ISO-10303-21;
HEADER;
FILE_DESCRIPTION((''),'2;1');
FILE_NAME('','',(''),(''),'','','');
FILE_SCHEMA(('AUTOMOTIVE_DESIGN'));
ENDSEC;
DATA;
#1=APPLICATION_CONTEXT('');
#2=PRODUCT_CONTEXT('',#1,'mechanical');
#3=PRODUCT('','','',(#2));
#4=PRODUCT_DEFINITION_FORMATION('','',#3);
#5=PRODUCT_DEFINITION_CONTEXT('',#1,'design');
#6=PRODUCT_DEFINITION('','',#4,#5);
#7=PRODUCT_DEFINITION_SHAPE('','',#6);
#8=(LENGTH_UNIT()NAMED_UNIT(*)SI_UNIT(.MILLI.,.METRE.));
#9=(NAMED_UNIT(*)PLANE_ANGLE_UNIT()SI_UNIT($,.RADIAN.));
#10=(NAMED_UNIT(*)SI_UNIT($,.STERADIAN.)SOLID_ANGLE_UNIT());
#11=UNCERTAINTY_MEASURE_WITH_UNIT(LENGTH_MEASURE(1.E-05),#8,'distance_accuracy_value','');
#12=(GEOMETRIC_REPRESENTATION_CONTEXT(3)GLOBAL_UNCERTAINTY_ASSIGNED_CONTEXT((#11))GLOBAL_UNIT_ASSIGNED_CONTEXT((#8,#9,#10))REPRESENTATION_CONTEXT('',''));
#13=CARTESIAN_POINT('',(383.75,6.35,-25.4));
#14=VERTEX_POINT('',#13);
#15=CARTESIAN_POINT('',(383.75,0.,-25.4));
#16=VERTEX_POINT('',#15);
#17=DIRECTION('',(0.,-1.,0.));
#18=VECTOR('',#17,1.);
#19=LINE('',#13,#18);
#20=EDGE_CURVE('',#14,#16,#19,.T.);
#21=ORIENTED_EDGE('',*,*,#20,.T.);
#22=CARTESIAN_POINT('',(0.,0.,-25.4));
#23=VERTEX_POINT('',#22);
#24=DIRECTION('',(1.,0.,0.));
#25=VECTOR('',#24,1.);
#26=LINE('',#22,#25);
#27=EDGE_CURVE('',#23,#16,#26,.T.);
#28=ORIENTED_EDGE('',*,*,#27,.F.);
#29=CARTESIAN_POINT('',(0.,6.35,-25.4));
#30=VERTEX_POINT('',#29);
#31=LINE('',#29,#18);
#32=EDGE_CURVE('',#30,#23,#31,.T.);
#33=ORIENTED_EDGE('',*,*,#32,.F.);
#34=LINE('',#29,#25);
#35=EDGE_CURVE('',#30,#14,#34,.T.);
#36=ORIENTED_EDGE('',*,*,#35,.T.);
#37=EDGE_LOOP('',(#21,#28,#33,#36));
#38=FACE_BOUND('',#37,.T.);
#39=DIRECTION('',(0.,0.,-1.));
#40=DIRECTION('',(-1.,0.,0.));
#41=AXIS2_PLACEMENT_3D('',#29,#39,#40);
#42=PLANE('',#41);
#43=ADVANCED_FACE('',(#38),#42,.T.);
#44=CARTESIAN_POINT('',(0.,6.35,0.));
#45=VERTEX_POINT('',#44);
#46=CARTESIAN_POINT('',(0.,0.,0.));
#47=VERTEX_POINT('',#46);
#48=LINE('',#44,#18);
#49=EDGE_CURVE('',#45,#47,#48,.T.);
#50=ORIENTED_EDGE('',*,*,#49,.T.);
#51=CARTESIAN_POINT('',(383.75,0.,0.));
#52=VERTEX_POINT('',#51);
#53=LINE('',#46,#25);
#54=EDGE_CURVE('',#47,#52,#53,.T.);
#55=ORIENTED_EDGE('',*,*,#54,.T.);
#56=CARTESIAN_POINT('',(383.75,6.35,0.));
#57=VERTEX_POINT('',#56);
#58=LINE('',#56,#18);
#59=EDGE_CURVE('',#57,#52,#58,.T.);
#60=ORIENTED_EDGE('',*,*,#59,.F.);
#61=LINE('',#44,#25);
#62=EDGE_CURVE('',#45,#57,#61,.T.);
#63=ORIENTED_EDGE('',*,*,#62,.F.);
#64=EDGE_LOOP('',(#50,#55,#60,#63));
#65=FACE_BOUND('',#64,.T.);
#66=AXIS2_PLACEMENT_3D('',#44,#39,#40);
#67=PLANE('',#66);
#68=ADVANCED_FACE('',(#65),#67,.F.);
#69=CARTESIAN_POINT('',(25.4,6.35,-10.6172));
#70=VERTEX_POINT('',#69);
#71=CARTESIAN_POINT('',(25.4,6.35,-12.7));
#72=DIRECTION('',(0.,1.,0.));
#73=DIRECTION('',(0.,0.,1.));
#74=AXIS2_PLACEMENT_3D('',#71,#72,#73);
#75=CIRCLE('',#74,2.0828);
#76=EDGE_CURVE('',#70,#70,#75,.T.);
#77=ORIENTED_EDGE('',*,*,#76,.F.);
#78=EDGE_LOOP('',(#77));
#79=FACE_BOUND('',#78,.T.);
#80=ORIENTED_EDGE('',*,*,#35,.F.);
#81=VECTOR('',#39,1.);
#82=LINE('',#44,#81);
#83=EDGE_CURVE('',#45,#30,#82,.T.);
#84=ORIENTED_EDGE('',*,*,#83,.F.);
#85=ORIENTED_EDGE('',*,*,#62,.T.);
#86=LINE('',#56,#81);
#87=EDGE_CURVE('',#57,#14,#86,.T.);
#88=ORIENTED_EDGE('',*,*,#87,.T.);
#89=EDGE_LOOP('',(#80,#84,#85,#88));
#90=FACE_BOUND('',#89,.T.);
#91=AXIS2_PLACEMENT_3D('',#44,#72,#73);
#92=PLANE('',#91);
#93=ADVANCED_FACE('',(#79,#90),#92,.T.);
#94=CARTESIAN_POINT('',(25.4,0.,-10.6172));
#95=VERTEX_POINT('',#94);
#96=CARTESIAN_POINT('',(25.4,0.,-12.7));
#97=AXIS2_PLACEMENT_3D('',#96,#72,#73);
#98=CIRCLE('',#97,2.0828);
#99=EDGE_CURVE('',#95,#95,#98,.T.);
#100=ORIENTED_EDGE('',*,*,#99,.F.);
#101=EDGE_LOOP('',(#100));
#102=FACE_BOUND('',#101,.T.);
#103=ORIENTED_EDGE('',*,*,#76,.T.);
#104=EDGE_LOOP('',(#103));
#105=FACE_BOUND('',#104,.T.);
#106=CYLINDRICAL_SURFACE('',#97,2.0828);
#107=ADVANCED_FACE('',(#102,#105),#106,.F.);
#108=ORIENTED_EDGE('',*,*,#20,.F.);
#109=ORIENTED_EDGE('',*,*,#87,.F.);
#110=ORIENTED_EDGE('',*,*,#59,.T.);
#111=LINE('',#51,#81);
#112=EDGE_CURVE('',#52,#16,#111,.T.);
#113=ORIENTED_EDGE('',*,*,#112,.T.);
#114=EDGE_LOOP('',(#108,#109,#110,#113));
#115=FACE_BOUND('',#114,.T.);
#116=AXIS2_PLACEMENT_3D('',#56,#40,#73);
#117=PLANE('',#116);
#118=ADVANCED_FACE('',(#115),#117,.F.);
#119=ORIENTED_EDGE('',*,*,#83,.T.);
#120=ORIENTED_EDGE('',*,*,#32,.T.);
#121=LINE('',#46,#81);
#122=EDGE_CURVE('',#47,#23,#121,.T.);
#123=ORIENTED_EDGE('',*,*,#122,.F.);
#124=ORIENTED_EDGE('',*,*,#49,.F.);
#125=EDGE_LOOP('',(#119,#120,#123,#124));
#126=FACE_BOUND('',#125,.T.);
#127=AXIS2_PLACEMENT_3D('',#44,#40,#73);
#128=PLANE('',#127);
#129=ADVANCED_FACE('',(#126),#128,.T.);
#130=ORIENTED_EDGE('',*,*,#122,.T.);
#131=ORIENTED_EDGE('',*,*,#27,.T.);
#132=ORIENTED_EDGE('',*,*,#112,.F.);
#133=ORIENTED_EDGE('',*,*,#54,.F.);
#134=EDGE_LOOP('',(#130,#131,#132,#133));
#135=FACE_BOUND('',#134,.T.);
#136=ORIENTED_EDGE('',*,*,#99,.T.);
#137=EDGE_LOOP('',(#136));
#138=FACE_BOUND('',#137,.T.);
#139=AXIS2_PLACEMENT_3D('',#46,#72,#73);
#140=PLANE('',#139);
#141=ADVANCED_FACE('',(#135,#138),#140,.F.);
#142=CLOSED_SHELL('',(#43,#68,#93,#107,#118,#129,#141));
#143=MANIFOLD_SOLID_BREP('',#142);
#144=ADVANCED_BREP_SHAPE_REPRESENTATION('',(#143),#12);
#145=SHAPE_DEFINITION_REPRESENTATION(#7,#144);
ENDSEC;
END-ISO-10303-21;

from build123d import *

# Parameters (mm, degrees)
SKETCH2_W           = 383.75
SKETCH2_H           = 25.4
BOSS_EXTRUDE1_DEPTH = 6.35
SKETCH3_R           = 2.0828
CUT_EXTRUDE1_DEPTH  = 6.35


with BuildPart() as part:
    # Sketch2 → Boss-Extrude1 (new body)
    with BuildSketch(Plane(origin=(0, 0, 0), x_dir=(1, 0, 0), z_dir=(0, 1, 0))):
        with Locations((191.875, 12.7)):
            Rectangle(SKETCH2_W, SKETCH2_H)
    extrude(amount=BOSS_EXTRUDE1_DEPTH)

    # Sketch3 → Cut-Extrude1 (cut)
    with BuildSketch(Plane(origin=(0, 6.35, 0), x_dir=(1, 0, 0), z_dir=(0, 1, 0))):
        with Locations(Location((25.4, 12.7, 0), (0, 0, 270))):
            Circle(SKETCH3_R)
    extrude(amount=-CUT_EXTRUDE1_DEPTH, mode=Mode.SUBTRACT)


solid = part.part
